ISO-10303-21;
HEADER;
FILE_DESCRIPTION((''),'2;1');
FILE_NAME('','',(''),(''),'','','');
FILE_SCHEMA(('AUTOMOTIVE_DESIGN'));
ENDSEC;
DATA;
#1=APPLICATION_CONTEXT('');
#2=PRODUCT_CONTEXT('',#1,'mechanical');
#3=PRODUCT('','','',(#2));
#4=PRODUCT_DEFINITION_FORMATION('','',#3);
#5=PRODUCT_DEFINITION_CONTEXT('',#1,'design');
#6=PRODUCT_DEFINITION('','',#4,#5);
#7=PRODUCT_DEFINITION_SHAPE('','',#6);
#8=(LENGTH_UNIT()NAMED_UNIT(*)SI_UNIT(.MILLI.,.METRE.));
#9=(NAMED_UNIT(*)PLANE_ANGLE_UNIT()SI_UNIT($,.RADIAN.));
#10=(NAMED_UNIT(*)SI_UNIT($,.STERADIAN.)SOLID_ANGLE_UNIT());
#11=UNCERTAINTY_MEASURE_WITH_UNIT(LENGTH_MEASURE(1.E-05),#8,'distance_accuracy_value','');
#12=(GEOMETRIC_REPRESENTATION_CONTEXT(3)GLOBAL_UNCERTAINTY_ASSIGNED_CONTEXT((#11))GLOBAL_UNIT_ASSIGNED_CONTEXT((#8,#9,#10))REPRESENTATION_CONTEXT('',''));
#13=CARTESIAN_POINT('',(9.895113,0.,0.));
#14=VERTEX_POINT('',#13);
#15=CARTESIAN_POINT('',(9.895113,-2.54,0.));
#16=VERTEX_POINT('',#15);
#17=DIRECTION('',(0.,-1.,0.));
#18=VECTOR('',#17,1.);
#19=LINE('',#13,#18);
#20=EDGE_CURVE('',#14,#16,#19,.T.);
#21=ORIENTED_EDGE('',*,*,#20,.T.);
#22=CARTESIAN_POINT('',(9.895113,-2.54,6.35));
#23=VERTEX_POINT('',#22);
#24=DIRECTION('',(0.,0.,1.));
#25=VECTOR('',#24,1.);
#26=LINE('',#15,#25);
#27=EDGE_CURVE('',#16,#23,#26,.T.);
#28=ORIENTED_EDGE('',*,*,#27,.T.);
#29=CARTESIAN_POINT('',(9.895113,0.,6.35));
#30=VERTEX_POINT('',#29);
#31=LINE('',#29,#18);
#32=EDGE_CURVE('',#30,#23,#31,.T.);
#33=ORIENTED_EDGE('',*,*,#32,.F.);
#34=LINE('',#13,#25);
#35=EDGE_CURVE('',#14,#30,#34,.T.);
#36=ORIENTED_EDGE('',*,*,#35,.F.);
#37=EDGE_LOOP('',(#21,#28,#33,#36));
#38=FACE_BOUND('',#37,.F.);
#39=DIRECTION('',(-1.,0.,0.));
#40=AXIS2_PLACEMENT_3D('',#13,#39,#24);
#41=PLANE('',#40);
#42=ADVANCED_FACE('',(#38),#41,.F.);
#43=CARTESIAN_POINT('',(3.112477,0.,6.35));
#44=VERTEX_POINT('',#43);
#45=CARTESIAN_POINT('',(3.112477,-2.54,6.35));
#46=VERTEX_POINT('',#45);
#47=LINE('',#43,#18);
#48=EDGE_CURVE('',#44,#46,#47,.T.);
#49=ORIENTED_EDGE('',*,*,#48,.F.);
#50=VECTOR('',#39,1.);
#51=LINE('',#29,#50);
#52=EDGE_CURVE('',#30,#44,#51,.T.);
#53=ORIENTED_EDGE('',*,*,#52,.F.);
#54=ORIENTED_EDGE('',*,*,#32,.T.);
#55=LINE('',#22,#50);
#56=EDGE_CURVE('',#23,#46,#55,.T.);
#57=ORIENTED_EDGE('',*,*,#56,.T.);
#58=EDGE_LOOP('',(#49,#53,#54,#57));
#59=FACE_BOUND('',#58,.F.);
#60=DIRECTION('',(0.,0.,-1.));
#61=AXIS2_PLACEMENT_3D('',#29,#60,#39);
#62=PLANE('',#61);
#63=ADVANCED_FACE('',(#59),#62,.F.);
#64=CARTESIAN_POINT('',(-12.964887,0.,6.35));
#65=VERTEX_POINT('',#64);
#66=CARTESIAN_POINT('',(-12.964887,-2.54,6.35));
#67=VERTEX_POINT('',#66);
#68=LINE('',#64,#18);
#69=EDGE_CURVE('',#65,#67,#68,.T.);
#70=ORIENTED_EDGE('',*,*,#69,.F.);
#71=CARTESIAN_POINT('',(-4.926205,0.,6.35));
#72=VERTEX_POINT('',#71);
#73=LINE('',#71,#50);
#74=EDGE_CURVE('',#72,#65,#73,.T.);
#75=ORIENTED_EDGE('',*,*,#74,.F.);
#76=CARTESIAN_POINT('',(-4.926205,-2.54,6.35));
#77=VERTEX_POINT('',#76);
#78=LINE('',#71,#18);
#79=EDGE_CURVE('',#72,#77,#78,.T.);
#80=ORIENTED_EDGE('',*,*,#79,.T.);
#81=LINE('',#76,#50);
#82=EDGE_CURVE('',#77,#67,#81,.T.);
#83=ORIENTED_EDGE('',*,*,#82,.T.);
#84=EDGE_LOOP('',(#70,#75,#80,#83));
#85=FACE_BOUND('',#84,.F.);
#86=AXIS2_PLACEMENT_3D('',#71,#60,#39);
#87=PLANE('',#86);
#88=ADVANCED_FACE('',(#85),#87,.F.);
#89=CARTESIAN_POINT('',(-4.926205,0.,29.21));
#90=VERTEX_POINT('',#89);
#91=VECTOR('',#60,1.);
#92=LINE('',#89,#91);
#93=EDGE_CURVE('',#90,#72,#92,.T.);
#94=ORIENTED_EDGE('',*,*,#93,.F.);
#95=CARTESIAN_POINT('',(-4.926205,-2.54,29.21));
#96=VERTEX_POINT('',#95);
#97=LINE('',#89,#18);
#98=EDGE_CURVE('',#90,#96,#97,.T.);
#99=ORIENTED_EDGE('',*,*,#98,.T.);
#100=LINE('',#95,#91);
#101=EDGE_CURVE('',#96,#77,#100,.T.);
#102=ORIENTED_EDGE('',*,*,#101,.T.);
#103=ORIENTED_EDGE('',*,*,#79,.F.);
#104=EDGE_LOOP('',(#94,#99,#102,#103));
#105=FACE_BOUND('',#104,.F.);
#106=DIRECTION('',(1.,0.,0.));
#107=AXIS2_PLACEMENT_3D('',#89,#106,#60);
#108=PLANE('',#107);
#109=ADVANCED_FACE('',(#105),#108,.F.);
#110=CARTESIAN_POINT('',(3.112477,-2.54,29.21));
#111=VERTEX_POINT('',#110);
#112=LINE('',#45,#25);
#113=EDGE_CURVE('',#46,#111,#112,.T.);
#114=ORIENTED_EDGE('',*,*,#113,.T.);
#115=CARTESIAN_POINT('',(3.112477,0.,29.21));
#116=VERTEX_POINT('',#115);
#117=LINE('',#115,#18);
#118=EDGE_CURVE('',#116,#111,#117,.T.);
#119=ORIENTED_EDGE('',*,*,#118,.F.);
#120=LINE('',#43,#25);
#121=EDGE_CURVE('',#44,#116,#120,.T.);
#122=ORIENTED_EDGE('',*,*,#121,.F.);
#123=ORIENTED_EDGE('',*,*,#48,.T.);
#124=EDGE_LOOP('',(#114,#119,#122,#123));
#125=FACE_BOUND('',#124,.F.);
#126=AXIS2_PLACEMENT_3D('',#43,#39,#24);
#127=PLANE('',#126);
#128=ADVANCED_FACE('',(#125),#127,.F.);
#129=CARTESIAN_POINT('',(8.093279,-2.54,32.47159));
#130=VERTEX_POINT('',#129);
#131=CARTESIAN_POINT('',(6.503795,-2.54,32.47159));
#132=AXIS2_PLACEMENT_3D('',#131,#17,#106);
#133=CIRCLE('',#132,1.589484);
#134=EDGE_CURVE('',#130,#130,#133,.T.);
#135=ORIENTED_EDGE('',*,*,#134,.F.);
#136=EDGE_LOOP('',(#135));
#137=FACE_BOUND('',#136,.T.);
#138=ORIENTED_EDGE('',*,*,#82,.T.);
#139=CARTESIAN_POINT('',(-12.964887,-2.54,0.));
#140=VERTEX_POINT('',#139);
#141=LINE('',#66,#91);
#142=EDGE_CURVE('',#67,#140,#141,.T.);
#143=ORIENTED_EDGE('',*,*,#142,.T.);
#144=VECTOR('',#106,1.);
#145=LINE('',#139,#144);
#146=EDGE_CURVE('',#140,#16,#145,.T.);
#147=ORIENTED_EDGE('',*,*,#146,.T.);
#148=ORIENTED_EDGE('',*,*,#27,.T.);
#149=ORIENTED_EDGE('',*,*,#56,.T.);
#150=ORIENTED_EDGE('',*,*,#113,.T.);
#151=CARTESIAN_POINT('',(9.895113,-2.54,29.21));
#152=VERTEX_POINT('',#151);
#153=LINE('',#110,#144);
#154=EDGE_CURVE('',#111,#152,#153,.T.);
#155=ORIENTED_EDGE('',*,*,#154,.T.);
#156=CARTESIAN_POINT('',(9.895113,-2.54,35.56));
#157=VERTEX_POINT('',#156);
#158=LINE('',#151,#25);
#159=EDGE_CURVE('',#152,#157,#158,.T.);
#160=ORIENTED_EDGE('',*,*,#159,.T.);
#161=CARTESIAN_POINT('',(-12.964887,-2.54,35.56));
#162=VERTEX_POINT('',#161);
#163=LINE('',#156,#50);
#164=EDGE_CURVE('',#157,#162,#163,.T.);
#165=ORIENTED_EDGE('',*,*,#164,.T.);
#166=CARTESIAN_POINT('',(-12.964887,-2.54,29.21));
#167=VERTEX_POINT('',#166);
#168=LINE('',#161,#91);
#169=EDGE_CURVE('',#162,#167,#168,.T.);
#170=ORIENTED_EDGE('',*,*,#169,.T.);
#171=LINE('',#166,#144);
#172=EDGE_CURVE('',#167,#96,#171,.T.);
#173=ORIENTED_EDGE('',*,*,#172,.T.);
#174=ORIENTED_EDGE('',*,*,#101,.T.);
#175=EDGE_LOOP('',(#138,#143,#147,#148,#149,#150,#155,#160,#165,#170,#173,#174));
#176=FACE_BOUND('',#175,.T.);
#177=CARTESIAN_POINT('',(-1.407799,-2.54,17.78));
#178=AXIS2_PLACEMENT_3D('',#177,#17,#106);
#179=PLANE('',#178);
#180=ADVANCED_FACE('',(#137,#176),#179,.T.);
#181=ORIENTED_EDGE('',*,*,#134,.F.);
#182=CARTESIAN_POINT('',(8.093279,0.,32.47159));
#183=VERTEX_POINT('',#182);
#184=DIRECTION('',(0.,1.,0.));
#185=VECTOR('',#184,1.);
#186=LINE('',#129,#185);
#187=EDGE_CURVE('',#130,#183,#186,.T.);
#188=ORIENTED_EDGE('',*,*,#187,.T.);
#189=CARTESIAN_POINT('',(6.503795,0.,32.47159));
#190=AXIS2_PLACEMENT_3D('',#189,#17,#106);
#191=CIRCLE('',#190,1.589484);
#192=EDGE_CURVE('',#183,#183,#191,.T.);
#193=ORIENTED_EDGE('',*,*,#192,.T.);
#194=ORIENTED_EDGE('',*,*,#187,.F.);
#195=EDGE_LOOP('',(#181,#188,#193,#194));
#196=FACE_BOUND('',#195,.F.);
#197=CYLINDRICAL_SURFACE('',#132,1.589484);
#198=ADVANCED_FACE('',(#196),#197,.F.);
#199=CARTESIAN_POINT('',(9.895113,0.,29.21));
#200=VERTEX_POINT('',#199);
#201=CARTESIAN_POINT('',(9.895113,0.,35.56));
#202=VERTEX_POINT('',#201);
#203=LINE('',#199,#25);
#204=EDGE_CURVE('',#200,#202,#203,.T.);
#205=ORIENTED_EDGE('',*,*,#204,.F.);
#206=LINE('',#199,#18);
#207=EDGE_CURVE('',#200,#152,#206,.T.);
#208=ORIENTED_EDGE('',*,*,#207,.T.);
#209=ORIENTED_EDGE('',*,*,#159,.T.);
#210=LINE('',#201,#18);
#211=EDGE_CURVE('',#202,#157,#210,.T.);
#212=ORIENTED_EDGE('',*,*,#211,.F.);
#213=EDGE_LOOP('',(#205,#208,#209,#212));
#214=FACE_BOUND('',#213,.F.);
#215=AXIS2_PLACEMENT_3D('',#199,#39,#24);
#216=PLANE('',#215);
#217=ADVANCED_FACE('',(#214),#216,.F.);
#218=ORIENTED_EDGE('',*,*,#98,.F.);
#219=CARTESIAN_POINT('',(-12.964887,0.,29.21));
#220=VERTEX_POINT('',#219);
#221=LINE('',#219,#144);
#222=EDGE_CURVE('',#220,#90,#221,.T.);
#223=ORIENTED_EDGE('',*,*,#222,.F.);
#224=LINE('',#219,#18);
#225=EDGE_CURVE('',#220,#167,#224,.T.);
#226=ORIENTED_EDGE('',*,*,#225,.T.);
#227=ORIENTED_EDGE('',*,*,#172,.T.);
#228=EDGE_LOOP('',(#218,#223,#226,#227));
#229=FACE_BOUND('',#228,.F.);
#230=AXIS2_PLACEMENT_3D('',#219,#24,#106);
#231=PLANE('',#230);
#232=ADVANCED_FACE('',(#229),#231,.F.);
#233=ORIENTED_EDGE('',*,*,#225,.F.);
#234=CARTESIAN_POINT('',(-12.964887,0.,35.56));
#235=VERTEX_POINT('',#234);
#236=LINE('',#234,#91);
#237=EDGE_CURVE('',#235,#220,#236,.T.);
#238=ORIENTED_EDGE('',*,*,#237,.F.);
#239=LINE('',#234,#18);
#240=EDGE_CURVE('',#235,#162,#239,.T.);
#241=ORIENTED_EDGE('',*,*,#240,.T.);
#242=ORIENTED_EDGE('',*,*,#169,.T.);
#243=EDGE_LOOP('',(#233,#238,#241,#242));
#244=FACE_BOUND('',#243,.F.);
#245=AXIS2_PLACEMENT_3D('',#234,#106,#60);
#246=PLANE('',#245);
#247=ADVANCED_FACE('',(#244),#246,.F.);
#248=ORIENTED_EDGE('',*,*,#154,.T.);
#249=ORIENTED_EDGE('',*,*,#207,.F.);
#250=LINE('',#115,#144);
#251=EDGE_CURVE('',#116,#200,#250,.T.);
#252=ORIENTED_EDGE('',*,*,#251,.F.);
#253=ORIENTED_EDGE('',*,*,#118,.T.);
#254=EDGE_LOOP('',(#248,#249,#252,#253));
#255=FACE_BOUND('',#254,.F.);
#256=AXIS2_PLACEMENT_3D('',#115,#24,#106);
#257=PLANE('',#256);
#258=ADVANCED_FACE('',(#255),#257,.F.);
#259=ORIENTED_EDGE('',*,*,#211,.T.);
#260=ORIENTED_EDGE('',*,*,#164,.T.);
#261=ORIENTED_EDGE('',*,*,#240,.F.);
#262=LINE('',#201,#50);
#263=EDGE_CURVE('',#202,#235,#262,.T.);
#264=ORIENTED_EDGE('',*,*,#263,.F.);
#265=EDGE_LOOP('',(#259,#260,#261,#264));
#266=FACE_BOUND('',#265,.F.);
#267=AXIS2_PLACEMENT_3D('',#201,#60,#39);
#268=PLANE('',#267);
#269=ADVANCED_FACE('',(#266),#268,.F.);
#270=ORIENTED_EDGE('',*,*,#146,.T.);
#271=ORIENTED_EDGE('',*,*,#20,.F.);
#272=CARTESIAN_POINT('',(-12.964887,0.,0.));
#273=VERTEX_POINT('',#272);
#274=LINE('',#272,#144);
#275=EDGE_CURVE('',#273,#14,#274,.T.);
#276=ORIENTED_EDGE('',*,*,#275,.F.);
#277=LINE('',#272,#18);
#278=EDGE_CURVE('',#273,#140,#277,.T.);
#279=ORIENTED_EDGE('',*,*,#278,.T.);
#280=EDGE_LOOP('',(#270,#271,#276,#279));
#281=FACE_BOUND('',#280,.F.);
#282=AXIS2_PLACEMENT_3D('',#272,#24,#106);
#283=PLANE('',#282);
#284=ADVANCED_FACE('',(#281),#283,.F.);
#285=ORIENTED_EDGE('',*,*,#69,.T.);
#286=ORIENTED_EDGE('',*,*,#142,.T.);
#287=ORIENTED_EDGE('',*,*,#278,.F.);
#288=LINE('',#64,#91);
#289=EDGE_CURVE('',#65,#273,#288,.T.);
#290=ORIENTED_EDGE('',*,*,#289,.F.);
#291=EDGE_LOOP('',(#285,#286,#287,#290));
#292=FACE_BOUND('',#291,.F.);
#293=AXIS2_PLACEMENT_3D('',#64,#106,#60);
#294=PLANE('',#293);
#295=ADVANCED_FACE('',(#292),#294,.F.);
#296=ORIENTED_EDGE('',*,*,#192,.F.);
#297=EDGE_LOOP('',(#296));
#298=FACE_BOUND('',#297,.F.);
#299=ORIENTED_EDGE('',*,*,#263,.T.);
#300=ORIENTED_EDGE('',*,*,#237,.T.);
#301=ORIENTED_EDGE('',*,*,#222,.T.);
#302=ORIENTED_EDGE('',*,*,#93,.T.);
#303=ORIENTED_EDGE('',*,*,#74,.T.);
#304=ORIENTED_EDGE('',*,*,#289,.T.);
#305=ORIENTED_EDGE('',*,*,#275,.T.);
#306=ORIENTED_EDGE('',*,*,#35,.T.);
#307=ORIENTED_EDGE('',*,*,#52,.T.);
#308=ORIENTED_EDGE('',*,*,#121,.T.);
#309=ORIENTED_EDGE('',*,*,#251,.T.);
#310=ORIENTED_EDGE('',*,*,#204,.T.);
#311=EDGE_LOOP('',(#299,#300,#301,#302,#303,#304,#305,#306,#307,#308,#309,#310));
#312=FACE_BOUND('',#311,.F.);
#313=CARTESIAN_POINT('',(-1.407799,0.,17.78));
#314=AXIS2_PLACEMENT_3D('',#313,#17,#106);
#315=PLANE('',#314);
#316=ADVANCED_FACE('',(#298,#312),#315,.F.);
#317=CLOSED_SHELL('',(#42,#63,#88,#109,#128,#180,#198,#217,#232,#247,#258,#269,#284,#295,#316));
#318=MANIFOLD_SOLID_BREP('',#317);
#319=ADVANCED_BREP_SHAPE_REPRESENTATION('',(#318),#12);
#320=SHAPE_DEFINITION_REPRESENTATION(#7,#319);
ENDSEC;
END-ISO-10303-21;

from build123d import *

# Parameters (mm, degrees)
F1_DEPTH = 2.54
F2_R     = 1.589484
F3_DEPTH = 2.54


with BuildPart() as f1:
    # F0 (on Front) → F1 (new body)
    with BuildSketch(Plane.XZ):
        Polygon((-12.964887, 6.35), (-12.964887, 0), (9.895113, 0), (9.895113, 6.35), (3.112477, 6.35), (3.112477, 29.21), (9.895113, 29.21), (9.895113, 35.56), (-12.964887, 35.56), (-12.964887, 29.21), (-4.926205, 29.21), (-4.926205, 6.35), align=None)
    extrude(amount=F1_DEPTH)

    # F2 (on face) → F3 (cut)
    with BuildSketch(Plane.XZ.offset(2.54)):
        with Locations((6.503795, 32.47159)):
            Circle(F2_R)
    extrude(amount=-F3_DEPTH, mode=Mode.SUBTRACT)


solid = f1.part
